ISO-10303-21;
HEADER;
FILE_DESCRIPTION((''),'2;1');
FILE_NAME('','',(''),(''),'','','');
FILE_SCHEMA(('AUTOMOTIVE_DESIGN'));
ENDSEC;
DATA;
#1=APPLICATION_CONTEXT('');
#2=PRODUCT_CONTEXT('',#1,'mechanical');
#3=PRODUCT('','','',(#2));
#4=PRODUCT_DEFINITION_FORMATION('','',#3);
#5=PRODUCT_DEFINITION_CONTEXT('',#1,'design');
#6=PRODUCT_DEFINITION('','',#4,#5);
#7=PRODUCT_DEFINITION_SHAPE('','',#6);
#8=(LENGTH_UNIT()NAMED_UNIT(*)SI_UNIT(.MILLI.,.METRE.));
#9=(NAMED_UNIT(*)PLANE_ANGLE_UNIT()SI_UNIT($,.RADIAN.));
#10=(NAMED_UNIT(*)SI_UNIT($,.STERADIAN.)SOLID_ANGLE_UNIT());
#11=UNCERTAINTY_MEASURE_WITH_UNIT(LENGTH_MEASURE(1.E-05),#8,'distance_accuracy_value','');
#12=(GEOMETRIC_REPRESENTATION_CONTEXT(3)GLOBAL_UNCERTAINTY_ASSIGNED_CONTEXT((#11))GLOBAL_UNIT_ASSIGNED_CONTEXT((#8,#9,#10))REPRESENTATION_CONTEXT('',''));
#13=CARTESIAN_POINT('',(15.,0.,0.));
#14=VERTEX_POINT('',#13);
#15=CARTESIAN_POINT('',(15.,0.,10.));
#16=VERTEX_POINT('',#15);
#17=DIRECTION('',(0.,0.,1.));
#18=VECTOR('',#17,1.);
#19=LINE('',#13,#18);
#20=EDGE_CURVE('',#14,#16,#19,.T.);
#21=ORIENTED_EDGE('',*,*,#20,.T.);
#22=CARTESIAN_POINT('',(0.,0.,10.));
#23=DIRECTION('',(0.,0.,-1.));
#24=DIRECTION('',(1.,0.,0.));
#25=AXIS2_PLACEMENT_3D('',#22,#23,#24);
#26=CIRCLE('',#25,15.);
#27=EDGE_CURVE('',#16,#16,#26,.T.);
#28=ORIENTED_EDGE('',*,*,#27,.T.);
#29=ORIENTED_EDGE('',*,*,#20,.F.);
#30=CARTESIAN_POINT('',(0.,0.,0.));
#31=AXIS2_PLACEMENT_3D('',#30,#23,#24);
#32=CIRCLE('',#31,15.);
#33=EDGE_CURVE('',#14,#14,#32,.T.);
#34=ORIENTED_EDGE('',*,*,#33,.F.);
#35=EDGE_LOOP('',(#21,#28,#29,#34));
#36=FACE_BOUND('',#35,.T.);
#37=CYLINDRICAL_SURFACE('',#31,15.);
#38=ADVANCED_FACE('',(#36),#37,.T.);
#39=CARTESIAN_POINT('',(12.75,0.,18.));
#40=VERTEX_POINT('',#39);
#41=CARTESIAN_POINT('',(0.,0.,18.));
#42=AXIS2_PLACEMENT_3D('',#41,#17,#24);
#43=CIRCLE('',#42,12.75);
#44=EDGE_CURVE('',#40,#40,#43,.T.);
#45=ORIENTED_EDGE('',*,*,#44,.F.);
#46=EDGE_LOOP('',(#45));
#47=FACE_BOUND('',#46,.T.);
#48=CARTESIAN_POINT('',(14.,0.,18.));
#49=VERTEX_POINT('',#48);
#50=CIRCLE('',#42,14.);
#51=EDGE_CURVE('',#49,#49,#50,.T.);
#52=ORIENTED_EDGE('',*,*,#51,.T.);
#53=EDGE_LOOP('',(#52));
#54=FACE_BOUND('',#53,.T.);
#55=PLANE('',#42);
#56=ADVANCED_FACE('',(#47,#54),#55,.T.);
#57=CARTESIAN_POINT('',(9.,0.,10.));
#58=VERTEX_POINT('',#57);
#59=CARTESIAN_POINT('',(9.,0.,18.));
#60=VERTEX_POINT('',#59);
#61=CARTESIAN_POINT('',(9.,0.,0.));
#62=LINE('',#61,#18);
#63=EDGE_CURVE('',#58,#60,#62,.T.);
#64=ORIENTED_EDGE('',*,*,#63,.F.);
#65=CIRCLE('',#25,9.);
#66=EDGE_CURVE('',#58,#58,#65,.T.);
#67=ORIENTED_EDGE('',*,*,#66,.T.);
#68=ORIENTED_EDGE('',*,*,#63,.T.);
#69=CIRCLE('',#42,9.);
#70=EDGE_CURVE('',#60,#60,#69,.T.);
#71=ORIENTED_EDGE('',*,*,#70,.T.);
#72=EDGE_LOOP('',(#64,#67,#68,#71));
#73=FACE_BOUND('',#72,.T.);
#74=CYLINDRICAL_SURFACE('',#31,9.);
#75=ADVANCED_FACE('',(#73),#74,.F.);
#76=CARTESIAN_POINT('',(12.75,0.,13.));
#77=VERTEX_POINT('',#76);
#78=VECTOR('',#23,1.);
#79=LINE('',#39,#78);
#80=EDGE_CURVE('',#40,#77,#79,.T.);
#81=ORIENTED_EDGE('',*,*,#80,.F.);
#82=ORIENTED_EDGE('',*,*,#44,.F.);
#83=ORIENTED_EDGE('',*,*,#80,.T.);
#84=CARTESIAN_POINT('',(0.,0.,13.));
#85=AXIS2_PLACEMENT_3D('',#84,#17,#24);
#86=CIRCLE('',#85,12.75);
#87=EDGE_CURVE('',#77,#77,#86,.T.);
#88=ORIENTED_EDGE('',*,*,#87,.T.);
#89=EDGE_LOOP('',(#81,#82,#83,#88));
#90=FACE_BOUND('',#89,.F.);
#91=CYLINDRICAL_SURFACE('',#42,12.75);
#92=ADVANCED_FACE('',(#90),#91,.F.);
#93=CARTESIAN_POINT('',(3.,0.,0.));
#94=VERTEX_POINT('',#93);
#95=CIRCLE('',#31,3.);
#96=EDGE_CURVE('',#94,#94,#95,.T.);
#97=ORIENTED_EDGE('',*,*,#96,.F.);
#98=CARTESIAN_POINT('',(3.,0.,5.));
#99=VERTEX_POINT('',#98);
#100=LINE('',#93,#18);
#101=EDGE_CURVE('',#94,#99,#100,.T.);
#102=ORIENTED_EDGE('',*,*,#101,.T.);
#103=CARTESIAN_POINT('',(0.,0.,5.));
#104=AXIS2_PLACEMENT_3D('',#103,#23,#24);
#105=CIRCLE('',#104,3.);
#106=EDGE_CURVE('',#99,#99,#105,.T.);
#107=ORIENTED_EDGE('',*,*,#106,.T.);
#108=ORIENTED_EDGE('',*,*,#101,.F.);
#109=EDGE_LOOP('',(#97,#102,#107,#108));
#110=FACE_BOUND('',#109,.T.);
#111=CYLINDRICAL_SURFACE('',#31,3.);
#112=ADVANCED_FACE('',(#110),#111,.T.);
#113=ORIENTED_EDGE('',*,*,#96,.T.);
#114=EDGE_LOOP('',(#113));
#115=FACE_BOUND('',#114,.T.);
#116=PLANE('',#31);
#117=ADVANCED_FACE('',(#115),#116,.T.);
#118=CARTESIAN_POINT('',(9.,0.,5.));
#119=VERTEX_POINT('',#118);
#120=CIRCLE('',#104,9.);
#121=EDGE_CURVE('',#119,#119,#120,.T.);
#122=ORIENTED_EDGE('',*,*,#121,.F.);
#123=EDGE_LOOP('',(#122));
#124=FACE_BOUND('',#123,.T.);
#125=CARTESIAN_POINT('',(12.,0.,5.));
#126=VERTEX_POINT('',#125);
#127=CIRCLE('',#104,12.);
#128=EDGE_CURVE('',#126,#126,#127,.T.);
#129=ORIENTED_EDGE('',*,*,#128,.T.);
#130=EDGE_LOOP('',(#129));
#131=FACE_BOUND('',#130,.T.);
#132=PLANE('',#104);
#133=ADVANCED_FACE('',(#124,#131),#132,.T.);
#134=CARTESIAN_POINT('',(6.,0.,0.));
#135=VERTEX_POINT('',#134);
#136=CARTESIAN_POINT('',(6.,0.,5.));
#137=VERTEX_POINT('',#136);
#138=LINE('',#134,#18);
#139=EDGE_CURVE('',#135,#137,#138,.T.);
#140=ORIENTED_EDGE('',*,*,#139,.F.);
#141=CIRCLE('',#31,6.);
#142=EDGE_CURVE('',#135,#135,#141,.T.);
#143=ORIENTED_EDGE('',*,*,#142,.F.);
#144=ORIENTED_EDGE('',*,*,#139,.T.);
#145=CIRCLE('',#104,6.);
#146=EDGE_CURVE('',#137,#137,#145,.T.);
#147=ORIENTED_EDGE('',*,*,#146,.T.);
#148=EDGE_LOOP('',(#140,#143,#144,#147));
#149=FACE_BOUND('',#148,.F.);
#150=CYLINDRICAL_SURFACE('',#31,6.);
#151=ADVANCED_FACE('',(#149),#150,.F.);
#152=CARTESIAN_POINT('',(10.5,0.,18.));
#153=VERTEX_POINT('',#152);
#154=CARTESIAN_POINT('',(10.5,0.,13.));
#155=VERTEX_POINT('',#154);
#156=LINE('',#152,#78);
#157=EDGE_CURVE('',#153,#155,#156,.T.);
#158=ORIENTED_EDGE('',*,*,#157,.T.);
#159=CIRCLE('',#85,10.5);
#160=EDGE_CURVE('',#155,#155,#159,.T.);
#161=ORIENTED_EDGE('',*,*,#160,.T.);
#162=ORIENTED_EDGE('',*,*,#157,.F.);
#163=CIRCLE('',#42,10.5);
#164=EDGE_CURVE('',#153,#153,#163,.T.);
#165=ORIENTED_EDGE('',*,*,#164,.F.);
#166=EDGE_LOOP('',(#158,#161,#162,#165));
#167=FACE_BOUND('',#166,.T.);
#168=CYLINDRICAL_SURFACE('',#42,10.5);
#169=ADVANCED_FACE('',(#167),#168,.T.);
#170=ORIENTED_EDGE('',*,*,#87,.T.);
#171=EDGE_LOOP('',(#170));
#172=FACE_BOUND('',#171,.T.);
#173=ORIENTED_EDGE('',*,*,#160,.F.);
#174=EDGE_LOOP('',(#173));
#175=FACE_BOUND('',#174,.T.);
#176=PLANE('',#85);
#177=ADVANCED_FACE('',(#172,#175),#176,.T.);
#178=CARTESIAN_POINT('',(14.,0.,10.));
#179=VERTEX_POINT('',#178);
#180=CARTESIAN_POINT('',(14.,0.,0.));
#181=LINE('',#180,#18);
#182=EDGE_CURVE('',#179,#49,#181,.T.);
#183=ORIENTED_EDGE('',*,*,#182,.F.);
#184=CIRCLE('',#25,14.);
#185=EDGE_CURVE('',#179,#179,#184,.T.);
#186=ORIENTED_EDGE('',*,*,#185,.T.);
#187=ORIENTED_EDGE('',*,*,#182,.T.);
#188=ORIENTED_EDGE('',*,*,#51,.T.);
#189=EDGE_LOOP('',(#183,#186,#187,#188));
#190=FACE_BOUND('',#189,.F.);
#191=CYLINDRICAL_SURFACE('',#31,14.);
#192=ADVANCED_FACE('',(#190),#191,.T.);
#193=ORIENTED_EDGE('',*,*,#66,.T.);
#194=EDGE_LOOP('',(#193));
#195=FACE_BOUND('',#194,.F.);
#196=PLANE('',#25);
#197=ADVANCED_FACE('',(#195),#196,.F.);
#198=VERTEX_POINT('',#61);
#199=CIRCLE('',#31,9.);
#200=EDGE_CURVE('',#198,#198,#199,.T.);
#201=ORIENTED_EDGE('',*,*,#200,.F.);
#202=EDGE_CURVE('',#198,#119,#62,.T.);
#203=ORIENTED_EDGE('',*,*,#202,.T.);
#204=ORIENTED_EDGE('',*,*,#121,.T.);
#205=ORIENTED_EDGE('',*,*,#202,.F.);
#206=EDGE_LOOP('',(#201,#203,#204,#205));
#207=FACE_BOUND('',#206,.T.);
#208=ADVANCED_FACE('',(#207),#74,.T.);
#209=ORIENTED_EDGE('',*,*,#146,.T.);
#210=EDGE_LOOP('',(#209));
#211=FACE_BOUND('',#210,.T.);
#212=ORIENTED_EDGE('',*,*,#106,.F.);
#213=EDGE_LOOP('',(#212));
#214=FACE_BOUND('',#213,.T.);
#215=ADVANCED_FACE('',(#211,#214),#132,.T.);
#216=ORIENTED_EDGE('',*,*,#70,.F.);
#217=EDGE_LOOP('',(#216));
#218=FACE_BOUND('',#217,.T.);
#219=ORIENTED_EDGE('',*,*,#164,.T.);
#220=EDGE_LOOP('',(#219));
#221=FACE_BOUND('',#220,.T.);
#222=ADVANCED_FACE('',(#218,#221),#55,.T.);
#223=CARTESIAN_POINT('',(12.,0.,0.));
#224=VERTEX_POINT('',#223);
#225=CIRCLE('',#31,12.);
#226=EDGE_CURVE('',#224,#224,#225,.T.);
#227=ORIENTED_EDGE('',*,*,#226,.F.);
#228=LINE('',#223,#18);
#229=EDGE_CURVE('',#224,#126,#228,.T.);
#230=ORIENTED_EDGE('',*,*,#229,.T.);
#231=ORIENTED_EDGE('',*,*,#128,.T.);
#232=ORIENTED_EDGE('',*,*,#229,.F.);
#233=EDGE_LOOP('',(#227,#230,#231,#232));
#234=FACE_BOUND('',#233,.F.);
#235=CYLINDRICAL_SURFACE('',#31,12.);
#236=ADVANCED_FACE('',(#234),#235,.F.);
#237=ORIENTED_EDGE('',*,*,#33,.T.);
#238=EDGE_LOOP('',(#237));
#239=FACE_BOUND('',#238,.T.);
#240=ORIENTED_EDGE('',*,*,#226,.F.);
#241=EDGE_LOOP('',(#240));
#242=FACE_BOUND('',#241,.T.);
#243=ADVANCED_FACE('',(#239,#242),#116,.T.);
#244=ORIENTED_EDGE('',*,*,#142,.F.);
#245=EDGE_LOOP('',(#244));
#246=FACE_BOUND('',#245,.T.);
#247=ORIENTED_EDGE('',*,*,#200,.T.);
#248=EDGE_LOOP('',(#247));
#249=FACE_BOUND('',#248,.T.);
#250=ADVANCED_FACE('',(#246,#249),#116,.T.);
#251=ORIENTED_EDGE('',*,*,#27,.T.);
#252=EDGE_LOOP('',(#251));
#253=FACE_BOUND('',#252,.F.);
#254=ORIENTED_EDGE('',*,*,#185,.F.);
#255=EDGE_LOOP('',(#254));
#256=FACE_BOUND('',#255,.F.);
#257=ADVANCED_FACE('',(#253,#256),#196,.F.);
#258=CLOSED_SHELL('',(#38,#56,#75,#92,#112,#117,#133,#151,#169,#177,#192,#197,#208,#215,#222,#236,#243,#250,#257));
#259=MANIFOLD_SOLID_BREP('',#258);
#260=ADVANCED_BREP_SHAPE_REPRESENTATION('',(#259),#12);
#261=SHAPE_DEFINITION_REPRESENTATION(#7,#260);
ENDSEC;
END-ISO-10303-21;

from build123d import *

# Parameters (mm, degrees)
F0_R     = 14
F0_R_2   = 9
F1_DEPTH = 18
F2_R     = 15
F3_DEPTH = 10
F4_R     = 12.75
F4_R_2   = 10.5
F5_DEPTH = 5
F6_R     = 6
F6_R_2   = 3
F7_DEPTH = 5
F8_R     = 12
F8_R_2   = 9
F9_DEPTH = 5


with BuildPart() as f1:
    # F0 (on Top) → F1 (new body)
    with BuildSketch(Plane.XY):
        Circle(F0_R)
        Circle(F0_R_2, mode=Mode.SUBTRACT)
    extrude(amount=F1_DEPTH)

    # F2 (on face) → F3 (join)
    with BuildSketch(Plane(origin=(0, 0, 0), x_dir=(1, 0, 0), z_dir=(0, 0, -1))):
        Circle(F2_R)
    extrude(amount=-F3_DEPTH)

    # F4 (on face) → F5 (cut)
    with BuildSketch(Plane.XY.offset(18)):
        Circle(F4_R)
        Circle(F4_R_2, mode=Mode.SUBTRACT)
    extrude(amount=-F5_DEPTH, mode=Mode.SUBTRACT)

    # F6 (on face) → F7 (cut)
    with BuildSketch(Plane(origin=(0, 0, 0), x_dir=(1, 0, 0), z_dir=(0, 0, -1))):
        Circle(F6_R)
        Circle(F6_R_2, mode=Mode.SUBTRACT)
    extrude(amount=-F7_DEPTH, mode=Mode.SUBTRACT)

    # F8 (on face) → F9 (cut)
    with BuildSketch(Plane(origin=(0, 0, 0), x_dir=(1, 0, 0), z_dir=(0, 0, -1))):
        Circle(F8_R)
        Circle(F8_R_2, mode=Mode.SUBTRACT)
    extrude(amount=-F9_DEPTH, mode=Mode.SUBTRACT)


solid = f1.part
